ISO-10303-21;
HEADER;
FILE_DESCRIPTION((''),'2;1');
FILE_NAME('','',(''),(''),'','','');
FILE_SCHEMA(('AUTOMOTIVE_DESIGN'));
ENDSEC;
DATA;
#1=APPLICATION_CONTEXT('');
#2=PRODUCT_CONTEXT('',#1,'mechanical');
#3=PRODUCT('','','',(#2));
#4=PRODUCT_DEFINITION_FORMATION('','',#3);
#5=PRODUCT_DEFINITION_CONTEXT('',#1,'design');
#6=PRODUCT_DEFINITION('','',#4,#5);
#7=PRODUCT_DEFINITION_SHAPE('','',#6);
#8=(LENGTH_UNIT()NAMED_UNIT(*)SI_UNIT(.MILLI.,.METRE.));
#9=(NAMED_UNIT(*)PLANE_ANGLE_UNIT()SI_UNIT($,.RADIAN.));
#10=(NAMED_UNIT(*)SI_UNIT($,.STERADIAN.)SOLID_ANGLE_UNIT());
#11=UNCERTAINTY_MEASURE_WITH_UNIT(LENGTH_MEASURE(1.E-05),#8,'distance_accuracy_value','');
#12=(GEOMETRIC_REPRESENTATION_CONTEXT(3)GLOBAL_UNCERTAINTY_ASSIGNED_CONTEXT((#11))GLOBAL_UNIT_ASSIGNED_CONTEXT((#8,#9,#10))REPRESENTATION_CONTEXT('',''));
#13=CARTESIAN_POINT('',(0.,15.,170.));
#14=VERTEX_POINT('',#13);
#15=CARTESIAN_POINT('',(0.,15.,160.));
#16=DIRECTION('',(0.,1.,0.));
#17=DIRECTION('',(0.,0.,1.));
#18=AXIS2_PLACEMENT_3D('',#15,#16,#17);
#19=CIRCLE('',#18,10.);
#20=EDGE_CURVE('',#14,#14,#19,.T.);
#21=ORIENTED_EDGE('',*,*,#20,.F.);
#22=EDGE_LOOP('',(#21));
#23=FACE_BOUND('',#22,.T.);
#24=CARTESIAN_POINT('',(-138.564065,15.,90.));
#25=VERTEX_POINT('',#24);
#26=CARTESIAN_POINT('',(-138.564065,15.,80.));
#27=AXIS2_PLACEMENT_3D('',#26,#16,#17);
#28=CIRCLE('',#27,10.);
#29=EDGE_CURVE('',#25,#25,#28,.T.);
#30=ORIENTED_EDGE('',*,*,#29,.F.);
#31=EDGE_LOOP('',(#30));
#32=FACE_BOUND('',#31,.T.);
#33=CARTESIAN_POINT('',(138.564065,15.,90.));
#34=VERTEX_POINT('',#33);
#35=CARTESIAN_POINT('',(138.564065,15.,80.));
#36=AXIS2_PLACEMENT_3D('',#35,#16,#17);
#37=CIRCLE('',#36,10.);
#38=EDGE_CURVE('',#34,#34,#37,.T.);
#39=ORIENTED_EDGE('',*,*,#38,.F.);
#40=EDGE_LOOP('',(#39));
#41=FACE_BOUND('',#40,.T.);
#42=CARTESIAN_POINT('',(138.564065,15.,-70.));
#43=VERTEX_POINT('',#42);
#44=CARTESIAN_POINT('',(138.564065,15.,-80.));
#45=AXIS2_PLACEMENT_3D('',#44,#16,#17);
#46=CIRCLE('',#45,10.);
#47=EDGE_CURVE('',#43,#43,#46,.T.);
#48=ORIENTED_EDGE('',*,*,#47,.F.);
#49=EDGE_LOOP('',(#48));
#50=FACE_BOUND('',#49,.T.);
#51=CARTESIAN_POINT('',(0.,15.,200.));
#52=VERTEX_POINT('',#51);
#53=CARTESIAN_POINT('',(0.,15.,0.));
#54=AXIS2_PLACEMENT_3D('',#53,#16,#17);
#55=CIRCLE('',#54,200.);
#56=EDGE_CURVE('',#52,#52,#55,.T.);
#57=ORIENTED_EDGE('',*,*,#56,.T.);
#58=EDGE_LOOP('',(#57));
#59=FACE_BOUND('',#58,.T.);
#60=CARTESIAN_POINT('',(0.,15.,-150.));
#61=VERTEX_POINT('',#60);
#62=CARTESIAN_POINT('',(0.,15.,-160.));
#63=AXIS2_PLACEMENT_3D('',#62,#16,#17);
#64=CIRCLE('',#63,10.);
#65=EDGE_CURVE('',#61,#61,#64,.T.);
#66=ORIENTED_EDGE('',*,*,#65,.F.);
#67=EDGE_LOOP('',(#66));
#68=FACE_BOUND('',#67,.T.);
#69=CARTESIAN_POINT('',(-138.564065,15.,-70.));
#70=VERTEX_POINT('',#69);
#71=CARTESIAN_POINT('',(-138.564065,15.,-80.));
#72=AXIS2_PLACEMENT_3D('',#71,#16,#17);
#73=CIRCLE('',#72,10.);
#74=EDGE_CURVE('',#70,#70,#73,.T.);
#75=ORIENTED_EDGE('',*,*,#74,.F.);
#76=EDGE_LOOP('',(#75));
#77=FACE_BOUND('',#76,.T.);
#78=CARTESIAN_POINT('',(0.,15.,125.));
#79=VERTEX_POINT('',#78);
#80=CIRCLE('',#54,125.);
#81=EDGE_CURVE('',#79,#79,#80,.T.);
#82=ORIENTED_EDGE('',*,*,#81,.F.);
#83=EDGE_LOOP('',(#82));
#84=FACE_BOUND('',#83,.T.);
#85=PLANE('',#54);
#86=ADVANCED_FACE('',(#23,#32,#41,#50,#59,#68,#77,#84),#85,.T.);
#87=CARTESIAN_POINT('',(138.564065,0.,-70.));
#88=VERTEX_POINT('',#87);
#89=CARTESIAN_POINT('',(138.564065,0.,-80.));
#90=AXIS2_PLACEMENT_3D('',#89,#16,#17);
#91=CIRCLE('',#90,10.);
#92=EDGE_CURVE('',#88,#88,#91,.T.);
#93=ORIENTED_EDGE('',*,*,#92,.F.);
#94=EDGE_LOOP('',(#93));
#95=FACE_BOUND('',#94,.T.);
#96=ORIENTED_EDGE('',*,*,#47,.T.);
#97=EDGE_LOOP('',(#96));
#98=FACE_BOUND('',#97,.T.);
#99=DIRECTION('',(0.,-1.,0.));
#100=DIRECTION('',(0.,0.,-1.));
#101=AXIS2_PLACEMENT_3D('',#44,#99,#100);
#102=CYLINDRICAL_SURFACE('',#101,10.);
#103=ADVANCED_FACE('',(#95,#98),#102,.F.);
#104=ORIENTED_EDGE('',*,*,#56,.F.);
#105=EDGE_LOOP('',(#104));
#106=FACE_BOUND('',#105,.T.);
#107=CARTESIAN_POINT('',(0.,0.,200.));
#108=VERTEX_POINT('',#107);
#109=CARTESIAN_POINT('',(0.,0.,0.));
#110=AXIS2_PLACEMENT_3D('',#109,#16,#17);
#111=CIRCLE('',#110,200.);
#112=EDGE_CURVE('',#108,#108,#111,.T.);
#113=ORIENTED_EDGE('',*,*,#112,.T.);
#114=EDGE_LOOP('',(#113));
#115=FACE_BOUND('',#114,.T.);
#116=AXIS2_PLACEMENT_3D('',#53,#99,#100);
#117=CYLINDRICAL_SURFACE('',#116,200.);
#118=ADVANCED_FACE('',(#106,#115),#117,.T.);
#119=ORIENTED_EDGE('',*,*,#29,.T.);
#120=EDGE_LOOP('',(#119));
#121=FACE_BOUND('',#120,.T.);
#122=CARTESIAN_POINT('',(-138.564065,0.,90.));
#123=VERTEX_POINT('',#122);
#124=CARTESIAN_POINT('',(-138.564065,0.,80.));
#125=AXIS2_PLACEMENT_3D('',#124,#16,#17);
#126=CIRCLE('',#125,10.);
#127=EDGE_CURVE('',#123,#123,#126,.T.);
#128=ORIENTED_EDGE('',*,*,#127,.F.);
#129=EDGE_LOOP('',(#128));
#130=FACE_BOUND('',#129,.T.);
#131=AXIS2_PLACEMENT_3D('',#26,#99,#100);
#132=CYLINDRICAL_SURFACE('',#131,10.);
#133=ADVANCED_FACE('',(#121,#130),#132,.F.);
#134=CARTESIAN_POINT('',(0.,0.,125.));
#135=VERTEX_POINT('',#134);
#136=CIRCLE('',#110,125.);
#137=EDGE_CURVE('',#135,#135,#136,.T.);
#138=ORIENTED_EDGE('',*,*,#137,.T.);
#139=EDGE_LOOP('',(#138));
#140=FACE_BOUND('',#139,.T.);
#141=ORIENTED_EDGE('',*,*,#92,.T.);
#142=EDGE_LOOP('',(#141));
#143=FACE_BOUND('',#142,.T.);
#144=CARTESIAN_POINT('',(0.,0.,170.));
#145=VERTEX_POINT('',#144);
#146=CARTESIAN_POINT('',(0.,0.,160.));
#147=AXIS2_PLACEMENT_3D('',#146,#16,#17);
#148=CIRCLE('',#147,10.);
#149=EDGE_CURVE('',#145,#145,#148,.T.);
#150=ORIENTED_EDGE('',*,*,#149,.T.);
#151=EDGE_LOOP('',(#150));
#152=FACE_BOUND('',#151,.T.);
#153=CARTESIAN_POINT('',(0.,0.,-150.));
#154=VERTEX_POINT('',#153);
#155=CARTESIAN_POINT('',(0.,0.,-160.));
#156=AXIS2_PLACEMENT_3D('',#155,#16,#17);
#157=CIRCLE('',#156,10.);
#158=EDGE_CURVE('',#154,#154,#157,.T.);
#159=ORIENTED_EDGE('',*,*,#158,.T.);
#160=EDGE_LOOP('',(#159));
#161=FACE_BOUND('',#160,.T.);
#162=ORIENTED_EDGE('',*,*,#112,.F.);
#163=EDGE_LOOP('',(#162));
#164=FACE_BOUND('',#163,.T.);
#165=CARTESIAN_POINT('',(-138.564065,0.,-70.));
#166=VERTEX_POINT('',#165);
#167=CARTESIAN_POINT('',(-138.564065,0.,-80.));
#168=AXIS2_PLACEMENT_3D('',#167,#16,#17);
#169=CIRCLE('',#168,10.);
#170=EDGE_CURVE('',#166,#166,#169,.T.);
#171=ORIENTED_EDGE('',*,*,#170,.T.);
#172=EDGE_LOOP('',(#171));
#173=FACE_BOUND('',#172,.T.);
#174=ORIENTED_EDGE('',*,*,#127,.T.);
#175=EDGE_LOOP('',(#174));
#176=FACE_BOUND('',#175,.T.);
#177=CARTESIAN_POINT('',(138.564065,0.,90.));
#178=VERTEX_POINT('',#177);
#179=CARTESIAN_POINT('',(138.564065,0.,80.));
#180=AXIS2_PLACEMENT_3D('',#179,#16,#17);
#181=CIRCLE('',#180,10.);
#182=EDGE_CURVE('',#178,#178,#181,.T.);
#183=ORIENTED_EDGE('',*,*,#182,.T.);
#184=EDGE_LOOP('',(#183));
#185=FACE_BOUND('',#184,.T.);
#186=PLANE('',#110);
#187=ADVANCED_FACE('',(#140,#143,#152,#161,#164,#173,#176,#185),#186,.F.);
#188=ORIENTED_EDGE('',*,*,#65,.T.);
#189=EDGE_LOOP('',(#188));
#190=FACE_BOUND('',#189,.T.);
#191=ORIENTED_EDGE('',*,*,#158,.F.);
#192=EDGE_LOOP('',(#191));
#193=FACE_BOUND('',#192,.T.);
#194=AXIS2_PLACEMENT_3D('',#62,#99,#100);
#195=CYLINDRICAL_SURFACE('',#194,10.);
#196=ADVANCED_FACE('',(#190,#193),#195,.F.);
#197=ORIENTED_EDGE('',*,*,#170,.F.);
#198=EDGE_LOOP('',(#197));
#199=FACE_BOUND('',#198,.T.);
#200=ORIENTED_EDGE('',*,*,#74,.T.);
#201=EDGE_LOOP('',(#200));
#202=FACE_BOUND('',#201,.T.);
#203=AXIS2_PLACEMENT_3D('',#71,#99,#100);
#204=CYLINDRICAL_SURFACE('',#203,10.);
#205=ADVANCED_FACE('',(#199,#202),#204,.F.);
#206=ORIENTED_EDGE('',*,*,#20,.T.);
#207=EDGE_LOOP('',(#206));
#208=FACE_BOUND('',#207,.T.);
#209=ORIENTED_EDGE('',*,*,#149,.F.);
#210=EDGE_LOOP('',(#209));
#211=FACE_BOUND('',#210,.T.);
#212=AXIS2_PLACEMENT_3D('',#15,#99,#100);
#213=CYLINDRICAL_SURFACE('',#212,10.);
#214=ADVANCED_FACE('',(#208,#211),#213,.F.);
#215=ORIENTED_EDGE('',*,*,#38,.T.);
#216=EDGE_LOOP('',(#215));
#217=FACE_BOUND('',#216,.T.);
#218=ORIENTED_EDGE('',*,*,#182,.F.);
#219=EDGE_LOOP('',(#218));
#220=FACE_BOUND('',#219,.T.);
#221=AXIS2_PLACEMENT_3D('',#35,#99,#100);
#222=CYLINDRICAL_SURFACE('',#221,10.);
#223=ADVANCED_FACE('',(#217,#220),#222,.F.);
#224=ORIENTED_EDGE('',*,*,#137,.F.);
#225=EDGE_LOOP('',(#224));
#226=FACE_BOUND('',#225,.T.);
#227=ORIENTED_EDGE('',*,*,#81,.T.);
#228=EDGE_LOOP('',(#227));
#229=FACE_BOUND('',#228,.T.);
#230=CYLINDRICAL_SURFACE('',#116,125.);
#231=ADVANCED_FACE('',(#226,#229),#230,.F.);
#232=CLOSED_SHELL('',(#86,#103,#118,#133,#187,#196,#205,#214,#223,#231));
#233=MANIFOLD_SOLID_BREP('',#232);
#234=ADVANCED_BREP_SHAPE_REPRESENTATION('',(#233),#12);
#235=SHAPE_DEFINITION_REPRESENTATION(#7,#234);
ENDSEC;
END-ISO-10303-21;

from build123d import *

# Parameters (mm, degrees)
SKETCH_2_R      = 200
SKETCH_2_R_2    = 125
SKETCH_2_R_3    = 10
EXTRUDE_1_DEPTH = 15


with BuildPart() as part:
    # 草圖2 → 填料-伸長1 (new body)
    with BuildSketch(Plane(origin=(0, 0, 0), x_dir=(1, 0, 0), z_dir=(0, 1, 0))):
        with Locations(Location((0, 0, 0), (0, 0, 270))):
            Circle(SKETCH_2_R)
        with Locations(Location((0, 0, 0), (0, 0, 270))):
            Circle(SKETCH_2_R_2, mode=Mode.SUBTRACT)
        with Locations(Location((0, 160, 0), (0, 0, 270))):
            Circle(SKETCH_2_R_3, mode=Mode.SUBTRACT)
        with Locations(Location((138.564064606, 80, 0), (0, 0, 270))):
            Circle(SKETCH_2_R_3, mode=Mode.SUBTRACT)
        with Locations(Location((138.564064606, -80, 0), (0, 0, 270))):
            Circle(SKETCH_2_R_3, mode=Mode.SUBTRACT)
        with Locations(Location((0, -160, 0), (0, 0, 270))):
            Circle(SKETCH_2_R_3, mode=Mode.SUBTRACT)
        with Locations(Location((-138.564064606, -80, 0), (0, 0, 270))):
            Circle(SKETCH_2_R_3, mode=Mode.SUBTRACT)
        with Locations(Location((-138.564064606, 80, 0), (0, 0, 270))):
            Circle(SKETCH_2_R_3, mode=Mode.SUBTRACT)
    extrude(amount=EXTRUDE_1_DEPTH)


solid = part.part
